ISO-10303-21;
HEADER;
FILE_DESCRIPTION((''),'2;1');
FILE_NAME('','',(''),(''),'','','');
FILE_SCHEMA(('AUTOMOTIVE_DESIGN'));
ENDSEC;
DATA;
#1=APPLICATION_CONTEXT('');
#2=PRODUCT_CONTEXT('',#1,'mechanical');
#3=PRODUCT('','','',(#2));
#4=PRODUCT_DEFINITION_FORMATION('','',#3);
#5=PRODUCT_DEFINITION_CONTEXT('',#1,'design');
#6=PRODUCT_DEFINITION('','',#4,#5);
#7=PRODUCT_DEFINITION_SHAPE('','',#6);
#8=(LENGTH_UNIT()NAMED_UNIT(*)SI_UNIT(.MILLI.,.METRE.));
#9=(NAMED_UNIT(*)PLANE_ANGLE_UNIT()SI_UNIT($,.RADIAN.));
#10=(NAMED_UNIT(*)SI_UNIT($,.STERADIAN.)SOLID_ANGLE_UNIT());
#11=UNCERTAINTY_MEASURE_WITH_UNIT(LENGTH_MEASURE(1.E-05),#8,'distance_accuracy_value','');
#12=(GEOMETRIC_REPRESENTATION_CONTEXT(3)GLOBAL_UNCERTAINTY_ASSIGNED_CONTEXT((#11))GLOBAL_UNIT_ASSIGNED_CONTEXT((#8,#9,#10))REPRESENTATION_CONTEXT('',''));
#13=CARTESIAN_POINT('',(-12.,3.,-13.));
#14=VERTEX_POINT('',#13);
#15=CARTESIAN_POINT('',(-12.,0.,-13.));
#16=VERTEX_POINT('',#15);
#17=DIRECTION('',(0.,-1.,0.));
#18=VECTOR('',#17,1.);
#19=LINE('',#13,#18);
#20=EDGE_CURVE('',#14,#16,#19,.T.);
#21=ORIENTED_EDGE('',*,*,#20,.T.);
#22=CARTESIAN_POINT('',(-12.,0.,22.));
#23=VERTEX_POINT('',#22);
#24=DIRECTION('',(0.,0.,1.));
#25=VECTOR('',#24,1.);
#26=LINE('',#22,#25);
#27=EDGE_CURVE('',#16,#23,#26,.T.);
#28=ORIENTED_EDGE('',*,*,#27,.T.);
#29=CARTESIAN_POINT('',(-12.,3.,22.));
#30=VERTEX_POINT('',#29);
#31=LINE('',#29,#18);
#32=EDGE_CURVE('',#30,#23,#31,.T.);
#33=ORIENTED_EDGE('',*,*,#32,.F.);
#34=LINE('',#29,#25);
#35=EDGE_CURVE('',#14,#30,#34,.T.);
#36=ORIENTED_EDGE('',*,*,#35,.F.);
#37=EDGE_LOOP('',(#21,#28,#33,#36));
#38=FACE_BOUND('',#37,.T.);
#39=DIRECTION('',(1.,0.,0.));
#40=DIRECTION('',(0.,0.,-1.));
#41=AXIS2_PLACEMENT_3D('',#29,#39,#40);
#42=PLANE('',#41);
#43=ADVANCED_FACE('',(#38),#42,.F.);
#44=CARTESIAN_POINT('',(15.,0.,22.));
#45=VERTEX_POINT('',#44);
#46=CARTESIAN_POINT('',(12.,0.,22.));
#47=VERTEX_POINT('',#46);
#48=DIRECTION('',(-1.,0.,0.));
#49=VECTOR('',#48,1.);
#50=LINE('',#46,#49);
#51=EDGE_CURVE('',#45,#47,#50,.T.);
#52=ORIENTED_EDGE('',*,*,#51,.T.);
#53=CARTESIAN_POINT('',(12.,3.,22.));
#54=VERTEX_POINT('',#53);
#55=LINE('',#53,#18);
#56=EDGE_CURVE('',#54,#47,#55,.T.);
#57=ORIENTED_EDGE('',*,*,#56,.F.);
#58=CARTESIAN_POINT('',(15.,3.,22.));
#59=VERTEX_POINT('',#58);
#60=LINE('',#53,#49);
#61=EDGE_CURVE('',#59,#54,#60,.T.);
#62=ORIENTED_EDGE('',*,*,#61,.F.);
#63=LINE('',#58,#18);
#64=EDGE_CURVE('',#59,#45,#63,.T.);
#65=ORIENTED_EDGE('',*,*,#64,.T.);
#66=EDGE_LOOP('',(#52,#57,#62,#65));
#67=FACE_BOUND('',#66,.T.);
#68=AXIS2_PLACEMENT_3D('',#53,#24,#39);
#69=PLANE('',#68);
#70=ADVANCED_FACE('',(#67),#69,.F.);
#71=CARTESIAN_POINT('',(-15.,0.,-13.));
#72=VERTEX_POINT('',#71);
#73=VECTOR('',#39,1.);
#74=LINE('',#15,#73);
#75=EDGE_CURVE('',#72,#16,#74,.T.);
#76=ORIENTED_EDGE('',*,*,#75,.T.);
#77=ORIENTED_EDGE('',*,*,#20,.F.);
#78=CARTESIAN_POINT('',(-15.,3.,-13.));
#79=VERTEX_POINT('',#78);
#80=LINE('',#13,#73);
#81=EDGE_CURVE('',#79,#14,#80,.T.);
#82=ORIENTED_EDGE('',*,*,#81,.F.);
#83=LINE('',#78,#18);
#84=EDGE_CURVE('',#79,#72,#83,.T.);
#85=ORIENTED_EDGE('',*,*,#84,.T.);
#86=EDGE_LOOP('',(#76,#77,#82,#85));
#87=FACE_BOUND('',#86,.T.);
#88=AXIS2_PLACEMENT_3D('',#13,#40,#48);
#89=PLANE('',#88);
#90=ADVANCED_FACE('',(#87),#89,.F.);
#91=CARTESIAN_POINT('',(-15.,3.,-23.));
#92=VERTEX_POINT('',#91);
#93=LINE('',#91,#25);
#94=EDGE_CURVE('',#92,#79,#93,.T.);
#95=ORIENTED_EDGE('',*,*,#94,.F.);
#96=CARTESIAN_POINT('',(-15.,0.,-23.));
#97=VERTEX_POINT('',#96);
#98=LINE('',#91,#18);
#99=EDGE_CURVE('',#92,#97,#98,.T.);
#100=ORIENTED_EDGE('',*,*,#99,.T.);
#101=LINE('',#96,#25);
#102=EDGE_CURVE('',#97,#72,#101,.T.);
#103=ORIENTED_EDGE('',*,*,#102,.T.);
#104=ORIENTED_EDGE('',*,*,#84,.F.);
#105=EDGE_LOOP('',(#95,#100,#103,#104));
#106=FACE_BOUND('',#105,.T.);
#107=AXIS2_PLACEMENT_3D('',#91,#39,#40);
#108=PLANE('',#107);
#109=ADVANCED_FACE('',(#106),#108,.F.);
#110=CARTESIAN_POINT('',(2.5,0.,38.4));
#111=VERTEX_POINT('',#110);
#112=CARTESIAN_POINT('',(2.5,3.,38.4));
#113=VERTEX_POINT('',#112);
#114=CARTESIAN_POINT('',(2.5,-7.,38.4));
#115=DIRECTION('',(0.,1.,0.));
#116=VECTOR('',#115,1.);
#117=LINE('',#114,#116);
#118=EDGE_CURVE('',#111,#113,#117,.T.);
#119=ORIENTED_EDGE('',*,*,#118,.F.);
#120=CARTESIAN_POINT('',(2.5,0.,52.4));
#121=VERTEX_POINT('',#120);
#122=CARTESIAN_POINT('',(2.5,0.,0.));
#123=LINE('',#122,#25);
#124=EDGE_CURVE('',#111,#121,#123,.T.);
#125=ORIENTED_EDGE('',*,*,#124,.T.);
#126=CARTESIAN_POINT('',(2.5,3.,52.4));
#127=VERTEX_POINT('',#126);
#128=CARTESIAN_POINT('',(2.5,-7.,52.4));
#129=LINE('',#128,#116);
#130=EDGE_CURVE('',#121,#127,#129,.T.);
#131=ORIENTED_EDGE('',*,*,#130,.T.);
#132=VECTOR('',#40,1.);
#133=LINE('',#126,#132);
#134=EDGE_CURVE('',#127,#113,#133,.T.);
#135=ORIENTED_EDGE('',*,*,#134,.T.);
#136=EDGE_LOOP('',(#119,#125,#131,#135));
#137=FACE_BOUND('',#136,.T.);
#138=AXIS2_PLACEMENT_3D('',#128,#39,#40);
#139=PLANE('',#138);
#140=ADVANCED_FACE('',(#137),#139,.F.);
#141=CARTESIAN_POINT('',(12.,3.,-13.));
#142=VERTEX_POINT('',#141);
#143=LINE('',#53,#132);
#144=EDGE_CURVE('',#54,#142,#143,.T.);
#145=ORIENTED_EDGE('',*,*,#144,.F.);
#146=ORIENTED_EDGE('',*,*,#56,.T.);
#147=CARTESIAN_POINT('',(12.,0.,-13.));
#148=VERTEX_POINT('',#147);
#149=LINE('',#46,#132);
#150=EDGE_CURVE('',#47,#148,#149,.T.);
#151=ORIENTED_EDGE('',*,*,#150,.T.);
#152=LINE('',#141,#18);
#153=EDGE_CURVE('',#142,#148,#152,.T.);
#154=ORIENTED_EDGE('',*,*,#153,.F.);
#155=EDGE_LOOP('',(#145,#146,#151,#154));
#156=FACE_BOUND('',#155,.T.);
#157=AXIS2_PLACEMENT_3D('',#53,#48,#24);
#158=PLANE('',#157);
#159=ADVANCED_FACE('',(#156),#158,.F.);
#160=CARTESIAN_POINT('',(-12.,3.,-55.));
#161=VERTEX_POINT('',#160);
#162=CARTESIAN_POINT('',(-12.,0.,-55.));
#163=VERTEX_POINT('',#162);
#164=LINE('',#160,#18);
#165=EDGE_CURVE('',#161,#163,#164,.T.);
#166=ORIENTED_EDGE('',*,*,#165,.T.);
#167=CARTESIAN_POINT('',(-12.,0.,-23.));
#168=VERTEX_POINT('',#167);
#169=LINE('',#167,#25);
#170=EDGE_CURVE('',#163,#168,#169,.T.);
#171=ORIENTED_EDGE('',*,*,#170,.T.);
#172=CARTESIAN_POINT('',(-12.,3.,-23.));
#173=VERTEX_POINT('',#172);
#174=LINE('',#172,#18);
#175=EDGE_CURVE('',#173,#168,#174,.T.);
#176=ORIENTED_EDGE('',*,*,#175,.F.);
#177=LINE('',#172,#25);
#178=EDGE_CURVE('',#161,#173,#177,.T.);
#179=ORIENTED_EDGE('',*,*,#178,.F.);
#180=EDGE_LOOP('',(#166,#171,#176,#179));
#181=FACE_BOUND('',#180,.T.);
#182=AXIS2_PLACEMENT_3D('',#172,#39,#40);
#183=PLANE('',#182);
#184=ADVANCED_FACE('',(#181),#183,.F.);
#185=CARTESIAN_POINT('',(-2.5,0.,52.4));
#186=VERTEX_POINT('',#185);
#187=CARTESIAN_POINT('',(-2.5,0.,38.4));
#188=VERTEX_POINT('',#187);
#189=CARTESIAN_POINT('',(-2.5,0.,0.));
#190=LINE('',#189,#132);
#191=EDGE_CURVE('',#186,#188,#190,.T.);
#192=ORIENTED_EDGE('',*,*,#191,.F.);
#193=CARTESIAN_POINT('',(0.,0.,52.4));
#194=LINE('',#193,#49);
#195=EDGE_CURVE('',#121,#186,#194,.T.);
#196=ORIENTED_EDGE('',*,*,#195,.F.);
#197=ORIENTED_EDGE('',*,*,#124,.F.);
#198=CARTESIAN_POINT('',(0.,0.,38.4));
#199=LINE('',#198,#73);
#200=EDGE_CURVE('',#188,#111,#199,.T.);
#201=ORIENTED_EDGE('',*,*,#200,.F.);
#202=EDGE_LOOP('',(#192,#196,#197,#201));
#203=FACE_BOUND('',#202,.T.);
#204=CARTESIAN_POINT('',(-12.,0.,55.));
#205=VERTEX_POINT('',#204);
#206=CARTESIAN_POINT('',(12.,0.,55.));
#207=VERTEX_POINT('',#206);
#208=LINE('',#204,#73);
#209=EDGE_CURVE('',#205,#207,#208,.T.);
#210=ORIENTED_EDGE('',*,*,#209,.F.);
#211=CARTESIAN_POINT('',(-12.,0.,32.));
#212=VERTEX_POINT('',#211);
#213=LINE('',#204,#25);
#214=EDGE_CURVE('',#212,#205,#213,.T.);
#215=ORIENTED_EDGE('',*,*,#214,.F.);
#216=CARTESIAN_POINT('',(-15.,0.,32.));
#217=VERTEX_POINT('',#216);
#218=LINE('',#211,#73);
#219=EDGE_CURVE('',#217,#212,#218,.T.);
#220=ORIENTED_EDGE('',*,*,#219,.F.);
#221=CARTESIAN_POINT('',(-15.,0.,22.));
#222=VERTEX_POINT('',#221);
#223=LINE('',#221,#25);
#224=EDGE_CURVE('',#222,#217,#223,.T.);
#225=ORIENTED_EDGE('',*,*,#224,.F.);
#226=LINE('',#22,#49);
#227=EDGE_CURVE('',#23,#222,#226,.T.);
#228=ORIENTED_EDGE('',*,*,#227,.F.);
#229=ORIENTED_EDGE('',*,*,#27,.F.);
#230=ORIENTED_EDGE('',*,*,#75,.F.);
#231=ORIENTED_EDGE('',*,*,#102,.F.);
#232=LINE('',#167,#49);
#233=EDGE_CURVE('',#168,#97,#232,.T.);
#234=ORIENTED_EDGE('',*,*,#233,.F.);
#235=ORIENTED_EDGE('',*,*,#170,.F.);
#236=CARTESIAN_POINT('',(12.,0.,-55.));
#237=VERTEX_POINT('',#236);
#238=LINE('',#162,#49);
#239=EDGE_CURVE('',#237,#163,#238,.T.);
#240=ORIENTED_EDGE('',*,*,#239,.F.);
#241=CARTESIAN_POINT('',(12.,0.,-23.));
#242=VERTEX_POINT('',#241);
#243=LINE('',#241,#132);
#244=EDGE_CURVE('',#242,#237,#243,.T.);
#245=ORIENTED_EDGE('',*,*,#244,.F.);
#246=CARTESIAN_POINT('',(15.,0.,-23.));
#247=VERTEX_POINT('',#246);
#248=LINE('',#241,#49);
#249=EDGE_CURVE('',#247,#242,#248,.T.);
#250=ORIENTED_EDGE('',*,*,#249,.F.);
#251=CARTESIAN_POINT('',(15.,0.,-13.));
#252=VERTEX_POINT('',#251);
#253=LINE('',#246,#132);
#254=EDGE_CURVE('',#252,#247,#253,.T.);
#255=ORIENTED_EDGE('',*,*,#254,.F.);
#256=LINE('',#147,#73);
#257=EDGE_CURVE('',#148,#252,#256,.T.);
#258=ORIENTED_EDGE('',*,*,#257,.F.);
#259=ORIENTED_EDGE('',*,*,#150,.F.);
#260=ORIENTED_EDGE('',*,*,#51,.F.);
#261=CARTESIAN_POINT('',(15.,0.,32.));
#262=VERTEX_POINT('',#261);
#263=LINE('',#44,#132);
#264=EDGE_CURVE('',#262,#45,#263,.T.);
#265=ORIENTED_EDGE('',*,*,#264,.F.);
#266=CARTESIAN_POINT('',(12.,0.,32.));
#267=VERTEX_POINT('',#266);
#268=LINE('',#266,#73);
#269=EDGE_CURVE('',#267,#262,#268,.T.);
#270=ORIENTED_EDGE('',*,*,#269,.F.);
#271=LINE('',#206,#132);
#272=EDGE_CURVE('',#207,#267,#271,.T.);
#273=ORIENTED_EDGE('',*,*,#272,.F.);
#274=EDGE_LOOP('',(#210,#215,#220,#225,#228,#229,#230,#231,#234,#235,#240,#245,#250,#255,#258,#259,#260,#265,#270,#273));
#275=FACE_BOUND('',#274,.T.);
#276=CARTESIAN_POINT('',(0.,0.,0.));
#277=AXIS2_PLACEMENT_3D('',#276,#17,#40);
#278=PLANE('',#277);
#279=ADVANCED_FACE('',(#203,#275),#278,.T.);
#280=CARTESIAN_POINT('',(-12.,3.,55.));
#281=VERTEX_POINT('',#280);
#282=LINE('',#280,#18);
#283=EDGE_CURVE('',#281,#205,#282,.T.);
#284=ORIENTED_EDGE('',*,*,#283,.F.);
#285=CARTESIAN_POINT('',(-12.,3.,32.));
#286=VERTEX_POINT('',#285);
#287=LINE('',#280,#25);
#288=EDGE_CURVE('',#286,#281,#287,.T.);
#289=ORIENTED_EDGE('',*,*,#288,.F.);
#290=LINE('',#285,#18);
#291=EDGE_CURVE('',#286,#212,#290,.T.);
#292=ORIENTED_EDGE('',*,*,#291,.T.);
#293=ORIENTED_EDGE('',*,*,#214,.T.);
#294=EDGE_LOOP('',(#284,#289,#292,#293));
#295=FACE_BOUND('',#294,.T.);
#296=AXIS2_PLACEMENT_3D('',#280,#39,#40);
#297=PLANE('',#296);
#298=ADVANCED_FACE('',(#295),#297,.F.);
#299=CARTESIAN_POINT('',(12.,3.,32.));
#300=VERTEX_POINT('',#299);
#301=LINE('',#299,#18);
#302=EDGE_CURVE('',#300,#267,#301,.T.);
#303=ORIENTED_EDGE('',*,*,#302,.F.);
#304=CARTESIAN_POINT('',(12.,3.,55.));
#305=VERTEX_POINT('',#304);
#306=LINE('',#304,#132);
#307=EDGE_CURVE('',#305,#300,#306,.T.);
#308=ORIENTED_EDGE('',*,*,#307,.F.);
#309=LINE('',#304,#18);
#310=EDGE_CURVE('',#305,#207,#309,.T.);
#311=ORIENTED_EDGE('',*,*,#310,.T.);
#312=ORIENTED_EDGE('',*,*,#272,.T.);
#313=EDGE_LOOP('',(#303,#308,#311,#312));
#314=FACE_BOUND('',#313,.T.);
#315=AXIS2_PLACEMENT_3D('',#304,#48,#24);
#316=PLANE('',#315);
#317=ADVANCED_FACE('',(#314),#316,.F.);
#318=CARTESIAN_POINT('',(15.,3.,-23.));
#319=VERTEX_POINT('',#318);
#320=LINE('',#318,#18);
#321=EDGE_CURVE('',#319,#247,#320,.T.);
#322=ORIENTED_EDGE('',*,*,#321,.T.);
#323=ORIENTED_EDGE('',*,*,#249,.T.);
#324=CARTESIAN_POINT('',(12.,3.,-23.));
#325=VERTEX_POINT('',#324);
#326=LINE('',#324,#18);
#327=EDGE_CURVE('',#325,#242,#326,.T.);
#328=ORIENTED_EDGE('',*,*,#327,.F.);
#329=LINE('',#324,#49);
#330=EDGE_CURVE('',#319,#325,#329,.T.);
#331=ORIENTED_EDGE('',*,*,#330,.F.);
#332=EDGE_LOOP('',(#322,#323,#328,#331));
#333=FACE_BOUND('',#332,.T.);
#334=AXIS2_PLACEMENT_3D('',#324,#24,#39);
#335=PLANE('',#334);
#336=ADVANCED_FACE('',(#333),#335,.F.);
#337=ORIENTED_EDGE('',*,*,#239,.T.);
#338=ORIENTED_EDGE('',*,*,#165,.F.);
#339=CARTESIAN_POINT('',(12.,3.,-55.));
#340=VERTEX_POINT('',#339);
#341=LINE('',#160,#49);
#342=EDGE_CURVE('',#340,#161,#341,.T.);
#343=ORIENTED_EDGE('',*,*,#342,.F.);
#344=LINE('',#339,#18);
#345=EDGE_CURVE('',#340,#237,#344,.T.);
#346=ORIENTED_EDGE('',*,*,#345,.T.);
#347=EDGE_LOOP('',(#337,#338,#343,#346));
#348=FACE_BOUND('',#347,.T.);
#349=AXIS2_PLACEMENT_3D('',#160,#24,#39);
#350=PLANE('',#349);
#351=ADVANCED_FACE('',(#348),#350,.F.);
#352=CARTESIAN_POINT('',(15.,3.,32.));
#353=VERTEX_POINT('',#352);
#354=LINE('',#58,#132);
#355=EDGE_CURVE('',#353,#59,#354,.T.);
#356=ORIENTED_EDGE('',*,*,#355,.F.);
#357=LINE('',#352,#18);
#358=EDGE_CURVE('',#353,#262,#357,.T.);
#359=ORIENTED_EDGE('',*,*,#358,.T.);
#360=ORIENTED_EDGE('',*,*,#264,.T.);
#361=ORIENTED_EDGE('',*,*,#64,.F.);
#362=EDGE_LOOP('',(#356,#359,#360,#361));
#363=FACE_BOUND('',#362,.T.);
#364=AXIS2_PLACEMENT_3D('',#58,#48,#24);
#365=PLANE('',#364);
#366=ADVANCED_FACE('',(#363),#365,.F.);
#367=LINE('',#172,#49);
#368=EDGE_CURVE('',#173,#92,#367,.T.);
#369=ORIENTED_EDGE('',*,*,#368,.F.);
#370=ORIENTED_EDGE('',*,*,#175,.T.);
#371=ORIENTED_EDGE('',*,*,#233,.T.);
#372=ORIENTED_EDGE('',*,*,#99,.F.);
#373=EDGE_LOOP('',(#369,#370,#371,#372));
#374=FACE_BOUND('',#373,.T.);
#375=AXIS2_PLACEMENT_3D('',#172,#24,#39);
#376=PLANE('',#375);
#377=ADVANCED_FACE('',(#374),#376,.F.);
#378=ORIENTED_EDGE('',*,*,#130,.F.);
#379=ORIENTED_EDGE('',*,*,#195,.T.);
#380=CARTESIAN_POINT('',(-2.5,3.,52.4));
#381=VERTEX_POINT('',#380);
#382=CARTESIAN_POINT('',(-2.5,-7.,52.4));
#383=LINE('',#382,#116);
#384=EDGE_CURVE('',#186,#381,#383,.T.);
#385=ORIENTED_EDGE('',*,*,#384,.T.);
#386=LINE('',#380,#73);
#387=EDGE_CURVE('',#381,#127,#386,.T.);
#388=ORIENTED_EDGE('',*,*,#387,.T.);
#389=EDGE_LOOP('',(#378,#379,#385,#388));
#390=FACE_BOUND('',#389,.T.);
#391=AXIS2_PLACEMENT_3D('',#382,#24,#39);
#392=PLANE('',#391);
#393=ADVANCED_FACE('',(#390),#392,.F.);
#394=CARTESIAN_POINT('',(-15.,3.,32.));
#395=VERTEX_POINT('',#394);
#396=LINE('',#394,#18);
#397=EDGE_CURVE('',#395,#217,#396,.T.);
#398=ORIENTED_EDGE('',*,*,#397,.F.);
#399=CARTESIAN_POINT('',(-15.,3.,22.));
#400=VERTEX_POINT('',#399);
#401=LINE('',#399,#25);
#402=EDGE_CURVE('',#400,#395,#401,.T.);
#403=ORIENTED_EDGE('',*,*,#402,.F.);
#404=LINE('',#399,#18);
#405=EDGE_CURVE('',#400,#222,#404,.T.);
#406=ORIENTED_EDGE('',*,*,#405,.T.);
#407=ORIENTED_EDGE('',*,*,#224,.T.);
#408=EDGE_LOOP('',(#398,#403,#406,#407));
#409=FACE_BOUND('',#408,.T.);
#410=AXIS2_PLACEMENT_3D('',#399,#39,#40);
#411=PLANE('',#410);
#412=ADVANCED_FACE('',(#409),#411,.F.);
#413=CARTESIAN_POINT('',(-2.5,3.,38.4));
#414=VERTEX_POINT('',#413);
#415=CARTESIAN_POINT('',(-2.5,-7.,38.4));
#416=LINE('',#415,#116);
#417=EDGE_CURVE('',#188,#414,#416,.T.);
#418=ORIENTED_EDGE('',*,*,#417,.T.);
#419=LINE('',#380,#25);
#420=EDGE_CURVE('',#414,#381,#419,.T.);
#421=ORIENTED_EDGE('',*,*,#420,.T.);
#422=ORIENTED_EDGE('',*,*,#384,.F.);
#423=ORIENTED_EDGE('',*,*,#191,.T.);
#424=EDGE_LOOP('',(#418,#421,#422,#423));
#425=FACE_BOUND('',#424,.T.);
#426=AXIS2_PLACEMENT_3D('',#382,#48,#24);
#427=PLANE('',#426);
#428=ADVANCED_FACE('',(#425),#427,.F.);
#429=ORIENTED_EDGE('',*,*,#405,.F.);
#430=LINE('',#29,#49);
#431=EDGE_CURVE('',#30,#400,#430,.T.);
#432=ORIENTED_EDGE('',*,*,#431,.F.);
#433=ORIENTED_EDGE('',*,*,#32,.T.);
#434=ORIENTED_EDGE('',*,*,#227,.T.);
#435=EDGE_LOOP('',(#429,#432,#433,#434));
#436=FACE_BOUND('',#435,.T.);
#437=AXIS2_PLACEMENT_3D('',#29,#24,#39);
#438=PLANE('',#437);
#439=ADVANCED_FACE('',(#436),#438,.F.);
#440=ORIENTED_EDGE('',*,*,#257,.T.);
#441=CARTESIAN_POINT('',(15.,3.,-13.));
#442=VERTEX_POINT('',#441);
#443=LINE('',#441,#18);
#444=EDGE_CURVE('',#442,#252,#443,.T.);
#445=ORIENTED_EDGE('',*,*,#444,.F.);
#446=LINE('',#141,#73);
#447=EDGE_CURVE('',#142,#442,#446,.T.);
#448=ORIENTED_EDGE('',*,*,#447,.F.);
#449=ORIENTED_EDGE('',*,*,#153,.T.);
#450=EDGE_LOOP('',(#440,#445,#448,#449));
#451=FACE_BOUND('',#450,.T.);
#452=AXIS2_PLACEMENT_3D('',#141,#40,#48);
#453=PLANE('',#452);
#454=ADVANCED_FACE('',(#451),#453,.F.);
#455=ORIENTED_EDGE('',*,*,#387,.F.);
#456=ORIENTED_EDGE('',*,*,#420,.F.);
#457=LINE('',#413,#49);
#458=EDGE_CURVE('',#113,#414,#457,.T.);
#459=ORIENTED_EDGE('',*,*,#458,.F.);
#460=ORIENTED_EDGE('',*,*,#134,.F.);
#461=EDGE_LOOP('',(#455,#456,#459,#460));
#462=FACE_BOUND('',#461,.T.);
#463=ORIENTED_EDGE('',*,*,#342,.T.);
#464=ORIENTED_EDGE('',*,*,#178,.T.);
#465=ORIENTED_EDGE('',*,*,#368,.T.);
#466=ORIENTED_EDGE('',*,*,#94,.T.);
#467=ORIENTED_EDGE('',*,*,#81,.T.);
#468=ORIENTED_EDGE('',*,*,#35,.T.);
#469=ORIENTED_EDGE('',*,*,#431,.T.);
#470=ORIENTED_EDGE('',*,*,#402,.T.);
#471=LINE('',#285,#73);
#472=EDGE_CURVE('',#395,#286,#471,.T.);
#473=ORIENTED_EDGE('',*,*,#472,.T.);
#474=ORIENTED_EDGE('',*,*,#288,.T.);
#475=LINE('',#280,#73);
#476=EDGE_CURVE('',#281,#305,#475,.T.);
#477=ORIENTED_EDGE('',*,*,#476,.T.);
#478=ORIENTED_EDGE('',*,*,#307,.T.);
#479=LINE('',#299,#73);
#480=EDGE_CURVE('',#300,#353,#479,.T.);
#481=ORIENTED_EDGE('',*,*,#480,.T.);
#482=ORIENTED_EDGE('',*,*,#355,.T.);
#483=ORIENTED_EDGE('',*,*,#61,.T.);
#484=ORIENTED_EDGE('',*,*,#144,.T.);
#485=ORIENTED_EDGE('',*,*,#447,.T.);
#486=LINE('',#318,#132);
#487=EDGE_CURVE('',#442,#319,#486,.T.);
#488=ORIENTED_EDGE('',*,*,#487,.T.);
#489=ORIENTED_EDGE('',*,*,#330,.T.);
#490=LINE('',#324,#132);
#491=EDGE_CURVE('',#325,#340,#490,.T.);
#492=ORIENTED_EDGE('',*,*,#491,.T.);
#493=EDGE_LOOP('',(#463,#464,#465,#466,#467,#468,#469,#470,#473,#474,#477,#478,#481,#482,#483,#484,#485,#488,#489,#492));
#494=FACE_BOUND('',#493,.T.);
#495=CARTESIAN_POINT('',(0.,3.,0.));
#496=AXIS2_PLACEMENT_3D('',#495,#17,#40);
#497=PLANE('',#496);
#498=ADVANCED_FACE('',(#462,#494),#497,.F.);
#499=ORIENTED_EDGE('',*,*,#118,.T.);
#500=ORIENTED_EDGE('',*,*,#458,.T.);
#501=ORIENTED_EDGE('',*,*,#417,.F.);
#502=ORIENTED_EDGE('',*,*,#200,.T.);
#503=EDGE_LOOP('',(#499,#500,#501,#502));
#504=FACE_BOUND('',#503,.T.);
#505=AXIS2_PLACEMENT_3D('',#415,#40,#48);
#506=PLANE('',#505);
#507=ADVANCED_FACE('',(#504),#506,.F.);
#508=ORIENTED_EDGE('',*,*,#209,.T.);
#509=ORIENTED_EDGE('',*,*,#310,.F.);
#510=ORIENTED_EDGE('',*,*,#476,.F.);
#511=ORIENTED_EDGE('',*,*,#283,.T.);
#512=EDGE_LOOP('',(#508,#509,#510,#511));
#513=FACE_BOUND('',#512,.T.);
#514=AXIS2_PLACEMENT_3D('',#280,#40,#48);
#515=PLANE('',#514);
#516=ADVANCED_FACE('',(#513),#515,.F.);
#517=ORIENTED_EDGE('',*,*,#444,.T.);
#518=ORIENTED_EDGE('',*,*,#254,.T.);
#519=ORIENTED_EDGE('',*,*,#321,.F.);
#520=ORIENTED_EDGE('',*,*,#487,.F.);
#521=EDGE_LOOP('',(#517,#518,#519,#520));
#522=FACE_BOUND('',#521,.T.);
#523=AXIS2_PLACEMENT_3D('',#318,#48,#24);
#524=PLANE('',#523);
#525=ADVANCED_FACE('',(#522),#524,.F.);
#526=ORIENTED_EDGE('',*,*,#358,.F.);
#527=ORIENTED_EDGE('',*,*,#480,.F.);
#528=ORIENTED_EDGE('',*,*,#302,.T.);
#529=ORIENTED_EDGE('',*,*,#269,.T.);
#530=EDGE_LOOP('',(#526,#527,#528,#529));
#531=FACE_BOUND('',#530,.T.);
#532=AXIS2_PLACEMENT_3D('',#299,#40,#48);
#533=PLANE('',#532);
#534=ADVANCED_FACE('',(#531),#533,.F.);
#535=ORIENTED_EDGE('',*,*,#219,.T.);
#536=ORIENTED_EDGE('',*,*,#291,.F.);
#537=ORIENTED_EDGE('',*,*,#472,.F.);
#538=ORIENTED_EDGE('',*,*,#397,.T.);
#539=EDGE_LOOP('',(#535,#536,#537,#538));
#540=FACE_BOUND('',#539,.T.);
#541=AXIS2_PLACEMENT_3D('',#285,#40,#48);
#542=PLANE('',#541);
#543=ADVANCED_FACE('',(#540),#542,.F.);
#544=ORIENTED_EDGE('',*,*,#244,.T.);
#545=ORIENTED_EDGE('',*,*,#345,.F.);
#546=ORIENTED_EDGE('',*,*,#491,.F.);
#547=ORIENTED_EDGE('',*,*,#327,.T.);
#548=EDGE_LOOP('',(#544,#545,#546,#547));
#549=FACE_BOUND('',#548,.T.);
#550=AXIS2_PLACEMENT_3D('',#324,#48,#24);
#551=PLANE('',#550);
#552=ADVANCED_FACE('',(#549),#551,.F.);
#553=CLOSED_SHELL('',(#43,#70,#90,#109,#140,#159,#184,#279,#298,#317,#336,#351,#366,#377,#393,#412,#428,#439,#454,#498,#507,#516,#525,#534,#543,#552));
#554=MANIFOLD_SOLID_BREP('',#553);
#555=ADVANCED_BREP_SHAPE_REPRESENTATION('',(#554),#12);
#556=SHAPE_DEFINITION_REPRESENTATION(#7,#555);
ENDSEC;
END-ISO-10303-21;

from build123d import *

# Parameters (mm, degrees)
EXTRUDE_1_DEPTH     = 3
SKETCH_2_W          = 5
SKETCH_2_H          = 14
CUT_EXTRUDE_1_DEPTH = 10


with BuildPart() as part:
    # Эскиз1 → Бобышка-Вытянуть1 (new body)
    with BuildSketch(Plane(origin=(0, 0, 0), x_dir=(1, 0, 0), z_dir=(0, 1, 0))):
        Polygon((-12, -55), (12, -55), (12, -32), (15, -32), (15, -22), (12, -22), (12, 13), (15, 13), (15, 23), (12, 23), (12, 55), (-12, 55), (-12, 23), (-15, 23), (-15, 13), (-12, 13), (-12, -22), (-15, -22), (-15, -32), (-12, -32), align=None)
    extrude(amount=EXTRUDE_1_DEPTH)

    # Эскиз2 → Вырез-Вытянуть1 (cut)
    with BuildSketch(Plane(origin=(0, 3, 0), x_dir=(1, 0, 0), z_dir=(0, 1, 0))):
        with Locations((0, -45.4)):
            Rectangle(SKETCH_2_W, SKETCH_2_H)
    extrude(amount=-CUT_EXTRUDE_1_DEPTH, mode=Mode.SUBTRACT)


solid = part.part
